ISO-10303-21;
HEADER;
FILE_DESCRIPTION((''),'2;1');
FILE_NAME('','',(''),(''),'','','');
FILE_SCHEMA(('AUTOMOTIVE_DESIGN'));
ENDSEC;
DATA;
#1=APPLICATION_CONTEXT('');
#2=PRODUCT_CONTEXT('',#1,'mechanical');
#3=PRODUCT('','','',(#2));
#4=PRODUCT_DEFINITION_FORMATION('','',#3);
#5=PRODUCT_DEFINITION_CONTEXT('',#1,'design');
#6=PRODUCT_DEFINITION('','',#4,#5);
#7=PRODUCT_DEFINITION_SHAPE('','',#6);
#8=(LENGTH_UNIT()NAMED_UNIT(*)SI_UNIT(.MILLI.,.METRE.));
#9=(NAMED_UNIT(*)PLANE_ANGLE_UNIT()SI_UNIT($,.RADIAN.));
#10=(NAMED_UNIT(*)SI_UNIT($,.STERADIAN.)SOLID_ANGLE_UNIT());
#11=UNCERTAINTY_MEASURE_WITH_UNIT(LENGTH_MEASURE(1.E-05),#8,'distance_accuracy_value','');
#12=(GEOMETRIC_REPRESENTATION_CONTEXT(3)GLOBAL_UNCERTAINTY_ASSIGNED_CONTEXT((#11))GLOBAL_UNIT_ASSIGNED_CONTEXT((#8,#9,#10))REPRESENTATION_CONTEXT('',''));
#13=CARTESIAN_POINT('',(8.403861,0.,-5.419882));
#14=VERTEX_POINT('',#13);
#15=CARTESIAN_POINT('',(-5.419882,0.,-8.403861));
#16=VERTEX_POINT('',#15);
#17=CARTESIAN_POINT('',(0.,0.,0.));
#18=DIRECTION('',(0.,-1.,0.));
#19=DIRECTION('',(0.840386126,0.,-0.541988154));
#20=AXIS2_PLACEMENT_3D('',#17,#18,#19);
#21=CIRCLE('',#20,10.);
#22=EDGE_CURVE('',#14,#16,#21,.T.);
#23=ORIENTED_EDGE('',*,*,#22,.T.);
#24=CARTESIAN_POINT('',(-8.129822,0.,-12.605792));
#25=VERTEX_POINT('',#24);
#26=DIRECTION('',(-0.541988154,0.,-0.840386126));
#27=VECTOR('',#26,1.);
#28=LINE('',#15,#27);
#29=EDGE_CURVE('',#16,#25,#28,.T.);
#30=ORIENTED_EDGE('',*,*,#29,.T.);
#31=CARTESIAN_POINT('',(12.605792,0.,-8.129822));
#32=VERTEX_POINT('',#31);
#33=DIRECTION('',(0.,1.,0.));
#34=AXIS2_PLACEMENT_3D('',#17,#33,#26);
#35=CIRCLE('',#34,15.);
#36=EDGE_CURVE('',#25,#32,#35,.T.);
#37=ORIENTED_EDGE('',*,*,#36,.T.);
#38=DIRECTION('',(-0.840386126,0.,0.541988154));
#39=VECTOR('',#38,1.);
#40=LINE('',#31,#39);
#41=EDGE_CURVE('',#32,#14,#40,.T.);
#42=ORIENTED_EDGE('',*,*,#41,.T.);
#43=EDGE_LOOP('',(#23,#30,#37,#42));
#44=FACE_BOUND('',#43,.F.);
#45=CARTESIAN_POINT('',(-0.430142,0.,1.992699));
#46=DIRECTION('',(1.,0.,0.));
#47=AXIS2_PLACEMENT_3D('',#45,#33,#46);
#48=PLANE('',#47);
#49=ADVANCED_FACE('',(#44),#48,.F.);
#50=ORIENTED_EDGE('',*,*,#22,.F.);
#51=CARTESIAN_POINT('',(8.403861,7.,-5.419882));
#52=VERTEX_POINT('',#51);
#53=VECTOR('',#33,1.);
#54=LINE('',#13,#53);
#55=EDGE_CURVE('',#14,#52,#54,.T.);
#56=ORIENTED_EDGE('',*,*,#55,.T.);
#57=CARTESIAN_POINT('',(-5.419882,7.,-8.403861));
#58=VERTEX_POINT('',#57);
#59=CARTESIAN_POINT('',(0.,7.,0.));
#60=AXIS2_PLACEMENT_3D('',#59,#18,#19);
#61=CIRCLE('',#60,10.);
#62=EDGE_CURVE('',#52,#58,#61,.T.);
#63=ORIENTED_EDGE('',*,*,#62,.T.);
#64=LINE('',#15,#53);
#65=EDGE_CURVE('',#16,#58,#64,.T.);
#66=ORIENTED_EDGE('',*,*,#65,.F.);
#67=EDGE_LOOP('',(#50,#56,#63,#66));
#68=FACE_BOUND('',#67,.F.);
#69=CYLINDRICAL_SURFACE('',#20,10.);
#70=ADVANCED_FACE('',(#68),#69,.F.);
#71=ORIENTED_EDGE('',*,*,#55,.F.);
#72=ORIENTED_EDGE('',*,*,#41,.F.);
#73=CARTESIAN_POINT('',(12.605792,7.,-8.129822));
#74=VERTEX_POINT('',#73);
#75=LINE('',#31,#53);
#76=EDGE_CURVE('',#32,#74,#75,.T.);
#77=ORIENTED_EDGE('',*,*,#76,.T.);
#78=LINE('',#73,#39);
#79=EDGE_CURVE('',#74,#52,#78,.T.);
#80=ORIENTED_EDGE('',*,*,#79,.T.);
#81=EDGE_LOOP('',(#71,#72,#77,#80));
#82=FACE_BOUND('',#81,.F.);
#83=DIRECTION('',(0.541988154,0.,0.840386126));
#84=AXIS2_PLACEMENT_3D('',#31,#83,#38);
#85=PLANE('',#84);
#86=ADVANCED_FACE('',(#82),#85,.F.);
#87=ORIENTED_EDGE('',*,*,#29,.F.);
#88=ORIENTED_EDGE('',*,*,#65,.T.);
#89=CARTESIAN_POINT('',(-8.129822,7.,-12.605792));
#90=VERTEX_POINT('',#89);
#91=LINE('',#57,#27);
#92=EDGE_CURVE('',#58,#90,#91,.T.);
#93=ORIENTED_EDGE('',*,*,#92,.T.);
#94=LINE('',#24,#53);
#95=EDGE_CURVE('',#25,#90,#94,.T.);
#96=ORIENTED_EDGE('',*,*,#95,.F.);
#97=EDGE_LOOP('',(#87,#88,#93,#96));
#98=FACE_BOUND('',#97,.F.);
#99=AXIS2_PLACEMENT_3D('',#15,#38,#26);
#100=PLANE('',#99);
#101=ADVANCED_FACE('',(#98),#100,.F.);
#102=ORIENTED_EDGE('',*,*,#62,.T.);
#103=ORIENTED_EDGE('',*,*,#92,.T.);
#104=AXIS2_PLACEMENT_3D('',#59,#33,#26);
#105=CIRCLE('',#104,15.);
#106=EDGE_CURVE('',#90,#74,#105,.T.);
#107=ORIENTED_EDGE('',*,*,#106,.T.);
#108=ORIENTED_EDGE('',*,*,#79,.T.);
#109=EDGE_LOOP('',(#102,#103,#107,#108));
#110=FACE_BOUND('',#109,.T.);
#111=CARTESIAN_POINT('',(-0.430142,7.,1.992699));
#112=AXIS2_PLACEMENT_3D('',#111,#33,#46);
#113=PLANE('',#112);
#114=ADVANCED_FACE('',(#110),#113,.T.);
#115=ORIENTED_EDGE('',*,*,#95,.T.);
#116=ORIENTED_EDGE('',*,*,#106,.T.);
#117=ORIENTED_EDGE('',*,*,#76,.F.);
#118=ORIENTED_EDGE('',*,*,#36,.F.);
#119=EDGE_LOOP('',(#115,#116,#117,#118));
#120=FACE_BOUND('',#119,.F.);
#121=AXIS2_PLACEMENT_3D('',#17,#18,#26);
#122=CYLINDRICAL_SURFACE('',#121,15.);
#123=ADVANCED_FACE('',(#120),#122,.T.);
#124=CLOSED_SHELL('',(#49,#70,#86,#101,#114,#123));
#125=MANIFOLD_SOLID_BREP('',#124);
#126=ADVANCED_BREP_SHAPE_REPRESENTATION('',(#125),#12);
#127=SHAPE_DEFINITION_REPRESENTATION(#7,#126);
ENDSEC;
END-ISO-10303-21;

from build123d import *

# Parameters (mm, degrees)
EXTRUDE_1_DEPTH = 7


with BuildPart() as part:
    # Эскиз1 → Бобышка-Вытянуть1 (new body)
    with BuildSketch(Plane(origin=(0, 0, 0), x_dir=(1, 0, 0), z_dir=(0, 1, 0))):
        with BuildLine():
            Line((-5.419881538, 8.403861262), (-8.129822308, 12.605791893))
            ThreePointArc((-8.129822308, 12.605791893), (-3.164988446, -14.662293413), (12.605791893, 8.129822308))
            Line((12.605791893, 8.129822308), (8.403861262, 5.419881538))
            ThreePointArc((8.403861262, 5.419881538), (-2.109992297, -9.774862276), (-5.419881538, 8.403861262))
        make_face()
    extrude(amount=EXTRUDE_1_DEPTH)


solid = part.part
